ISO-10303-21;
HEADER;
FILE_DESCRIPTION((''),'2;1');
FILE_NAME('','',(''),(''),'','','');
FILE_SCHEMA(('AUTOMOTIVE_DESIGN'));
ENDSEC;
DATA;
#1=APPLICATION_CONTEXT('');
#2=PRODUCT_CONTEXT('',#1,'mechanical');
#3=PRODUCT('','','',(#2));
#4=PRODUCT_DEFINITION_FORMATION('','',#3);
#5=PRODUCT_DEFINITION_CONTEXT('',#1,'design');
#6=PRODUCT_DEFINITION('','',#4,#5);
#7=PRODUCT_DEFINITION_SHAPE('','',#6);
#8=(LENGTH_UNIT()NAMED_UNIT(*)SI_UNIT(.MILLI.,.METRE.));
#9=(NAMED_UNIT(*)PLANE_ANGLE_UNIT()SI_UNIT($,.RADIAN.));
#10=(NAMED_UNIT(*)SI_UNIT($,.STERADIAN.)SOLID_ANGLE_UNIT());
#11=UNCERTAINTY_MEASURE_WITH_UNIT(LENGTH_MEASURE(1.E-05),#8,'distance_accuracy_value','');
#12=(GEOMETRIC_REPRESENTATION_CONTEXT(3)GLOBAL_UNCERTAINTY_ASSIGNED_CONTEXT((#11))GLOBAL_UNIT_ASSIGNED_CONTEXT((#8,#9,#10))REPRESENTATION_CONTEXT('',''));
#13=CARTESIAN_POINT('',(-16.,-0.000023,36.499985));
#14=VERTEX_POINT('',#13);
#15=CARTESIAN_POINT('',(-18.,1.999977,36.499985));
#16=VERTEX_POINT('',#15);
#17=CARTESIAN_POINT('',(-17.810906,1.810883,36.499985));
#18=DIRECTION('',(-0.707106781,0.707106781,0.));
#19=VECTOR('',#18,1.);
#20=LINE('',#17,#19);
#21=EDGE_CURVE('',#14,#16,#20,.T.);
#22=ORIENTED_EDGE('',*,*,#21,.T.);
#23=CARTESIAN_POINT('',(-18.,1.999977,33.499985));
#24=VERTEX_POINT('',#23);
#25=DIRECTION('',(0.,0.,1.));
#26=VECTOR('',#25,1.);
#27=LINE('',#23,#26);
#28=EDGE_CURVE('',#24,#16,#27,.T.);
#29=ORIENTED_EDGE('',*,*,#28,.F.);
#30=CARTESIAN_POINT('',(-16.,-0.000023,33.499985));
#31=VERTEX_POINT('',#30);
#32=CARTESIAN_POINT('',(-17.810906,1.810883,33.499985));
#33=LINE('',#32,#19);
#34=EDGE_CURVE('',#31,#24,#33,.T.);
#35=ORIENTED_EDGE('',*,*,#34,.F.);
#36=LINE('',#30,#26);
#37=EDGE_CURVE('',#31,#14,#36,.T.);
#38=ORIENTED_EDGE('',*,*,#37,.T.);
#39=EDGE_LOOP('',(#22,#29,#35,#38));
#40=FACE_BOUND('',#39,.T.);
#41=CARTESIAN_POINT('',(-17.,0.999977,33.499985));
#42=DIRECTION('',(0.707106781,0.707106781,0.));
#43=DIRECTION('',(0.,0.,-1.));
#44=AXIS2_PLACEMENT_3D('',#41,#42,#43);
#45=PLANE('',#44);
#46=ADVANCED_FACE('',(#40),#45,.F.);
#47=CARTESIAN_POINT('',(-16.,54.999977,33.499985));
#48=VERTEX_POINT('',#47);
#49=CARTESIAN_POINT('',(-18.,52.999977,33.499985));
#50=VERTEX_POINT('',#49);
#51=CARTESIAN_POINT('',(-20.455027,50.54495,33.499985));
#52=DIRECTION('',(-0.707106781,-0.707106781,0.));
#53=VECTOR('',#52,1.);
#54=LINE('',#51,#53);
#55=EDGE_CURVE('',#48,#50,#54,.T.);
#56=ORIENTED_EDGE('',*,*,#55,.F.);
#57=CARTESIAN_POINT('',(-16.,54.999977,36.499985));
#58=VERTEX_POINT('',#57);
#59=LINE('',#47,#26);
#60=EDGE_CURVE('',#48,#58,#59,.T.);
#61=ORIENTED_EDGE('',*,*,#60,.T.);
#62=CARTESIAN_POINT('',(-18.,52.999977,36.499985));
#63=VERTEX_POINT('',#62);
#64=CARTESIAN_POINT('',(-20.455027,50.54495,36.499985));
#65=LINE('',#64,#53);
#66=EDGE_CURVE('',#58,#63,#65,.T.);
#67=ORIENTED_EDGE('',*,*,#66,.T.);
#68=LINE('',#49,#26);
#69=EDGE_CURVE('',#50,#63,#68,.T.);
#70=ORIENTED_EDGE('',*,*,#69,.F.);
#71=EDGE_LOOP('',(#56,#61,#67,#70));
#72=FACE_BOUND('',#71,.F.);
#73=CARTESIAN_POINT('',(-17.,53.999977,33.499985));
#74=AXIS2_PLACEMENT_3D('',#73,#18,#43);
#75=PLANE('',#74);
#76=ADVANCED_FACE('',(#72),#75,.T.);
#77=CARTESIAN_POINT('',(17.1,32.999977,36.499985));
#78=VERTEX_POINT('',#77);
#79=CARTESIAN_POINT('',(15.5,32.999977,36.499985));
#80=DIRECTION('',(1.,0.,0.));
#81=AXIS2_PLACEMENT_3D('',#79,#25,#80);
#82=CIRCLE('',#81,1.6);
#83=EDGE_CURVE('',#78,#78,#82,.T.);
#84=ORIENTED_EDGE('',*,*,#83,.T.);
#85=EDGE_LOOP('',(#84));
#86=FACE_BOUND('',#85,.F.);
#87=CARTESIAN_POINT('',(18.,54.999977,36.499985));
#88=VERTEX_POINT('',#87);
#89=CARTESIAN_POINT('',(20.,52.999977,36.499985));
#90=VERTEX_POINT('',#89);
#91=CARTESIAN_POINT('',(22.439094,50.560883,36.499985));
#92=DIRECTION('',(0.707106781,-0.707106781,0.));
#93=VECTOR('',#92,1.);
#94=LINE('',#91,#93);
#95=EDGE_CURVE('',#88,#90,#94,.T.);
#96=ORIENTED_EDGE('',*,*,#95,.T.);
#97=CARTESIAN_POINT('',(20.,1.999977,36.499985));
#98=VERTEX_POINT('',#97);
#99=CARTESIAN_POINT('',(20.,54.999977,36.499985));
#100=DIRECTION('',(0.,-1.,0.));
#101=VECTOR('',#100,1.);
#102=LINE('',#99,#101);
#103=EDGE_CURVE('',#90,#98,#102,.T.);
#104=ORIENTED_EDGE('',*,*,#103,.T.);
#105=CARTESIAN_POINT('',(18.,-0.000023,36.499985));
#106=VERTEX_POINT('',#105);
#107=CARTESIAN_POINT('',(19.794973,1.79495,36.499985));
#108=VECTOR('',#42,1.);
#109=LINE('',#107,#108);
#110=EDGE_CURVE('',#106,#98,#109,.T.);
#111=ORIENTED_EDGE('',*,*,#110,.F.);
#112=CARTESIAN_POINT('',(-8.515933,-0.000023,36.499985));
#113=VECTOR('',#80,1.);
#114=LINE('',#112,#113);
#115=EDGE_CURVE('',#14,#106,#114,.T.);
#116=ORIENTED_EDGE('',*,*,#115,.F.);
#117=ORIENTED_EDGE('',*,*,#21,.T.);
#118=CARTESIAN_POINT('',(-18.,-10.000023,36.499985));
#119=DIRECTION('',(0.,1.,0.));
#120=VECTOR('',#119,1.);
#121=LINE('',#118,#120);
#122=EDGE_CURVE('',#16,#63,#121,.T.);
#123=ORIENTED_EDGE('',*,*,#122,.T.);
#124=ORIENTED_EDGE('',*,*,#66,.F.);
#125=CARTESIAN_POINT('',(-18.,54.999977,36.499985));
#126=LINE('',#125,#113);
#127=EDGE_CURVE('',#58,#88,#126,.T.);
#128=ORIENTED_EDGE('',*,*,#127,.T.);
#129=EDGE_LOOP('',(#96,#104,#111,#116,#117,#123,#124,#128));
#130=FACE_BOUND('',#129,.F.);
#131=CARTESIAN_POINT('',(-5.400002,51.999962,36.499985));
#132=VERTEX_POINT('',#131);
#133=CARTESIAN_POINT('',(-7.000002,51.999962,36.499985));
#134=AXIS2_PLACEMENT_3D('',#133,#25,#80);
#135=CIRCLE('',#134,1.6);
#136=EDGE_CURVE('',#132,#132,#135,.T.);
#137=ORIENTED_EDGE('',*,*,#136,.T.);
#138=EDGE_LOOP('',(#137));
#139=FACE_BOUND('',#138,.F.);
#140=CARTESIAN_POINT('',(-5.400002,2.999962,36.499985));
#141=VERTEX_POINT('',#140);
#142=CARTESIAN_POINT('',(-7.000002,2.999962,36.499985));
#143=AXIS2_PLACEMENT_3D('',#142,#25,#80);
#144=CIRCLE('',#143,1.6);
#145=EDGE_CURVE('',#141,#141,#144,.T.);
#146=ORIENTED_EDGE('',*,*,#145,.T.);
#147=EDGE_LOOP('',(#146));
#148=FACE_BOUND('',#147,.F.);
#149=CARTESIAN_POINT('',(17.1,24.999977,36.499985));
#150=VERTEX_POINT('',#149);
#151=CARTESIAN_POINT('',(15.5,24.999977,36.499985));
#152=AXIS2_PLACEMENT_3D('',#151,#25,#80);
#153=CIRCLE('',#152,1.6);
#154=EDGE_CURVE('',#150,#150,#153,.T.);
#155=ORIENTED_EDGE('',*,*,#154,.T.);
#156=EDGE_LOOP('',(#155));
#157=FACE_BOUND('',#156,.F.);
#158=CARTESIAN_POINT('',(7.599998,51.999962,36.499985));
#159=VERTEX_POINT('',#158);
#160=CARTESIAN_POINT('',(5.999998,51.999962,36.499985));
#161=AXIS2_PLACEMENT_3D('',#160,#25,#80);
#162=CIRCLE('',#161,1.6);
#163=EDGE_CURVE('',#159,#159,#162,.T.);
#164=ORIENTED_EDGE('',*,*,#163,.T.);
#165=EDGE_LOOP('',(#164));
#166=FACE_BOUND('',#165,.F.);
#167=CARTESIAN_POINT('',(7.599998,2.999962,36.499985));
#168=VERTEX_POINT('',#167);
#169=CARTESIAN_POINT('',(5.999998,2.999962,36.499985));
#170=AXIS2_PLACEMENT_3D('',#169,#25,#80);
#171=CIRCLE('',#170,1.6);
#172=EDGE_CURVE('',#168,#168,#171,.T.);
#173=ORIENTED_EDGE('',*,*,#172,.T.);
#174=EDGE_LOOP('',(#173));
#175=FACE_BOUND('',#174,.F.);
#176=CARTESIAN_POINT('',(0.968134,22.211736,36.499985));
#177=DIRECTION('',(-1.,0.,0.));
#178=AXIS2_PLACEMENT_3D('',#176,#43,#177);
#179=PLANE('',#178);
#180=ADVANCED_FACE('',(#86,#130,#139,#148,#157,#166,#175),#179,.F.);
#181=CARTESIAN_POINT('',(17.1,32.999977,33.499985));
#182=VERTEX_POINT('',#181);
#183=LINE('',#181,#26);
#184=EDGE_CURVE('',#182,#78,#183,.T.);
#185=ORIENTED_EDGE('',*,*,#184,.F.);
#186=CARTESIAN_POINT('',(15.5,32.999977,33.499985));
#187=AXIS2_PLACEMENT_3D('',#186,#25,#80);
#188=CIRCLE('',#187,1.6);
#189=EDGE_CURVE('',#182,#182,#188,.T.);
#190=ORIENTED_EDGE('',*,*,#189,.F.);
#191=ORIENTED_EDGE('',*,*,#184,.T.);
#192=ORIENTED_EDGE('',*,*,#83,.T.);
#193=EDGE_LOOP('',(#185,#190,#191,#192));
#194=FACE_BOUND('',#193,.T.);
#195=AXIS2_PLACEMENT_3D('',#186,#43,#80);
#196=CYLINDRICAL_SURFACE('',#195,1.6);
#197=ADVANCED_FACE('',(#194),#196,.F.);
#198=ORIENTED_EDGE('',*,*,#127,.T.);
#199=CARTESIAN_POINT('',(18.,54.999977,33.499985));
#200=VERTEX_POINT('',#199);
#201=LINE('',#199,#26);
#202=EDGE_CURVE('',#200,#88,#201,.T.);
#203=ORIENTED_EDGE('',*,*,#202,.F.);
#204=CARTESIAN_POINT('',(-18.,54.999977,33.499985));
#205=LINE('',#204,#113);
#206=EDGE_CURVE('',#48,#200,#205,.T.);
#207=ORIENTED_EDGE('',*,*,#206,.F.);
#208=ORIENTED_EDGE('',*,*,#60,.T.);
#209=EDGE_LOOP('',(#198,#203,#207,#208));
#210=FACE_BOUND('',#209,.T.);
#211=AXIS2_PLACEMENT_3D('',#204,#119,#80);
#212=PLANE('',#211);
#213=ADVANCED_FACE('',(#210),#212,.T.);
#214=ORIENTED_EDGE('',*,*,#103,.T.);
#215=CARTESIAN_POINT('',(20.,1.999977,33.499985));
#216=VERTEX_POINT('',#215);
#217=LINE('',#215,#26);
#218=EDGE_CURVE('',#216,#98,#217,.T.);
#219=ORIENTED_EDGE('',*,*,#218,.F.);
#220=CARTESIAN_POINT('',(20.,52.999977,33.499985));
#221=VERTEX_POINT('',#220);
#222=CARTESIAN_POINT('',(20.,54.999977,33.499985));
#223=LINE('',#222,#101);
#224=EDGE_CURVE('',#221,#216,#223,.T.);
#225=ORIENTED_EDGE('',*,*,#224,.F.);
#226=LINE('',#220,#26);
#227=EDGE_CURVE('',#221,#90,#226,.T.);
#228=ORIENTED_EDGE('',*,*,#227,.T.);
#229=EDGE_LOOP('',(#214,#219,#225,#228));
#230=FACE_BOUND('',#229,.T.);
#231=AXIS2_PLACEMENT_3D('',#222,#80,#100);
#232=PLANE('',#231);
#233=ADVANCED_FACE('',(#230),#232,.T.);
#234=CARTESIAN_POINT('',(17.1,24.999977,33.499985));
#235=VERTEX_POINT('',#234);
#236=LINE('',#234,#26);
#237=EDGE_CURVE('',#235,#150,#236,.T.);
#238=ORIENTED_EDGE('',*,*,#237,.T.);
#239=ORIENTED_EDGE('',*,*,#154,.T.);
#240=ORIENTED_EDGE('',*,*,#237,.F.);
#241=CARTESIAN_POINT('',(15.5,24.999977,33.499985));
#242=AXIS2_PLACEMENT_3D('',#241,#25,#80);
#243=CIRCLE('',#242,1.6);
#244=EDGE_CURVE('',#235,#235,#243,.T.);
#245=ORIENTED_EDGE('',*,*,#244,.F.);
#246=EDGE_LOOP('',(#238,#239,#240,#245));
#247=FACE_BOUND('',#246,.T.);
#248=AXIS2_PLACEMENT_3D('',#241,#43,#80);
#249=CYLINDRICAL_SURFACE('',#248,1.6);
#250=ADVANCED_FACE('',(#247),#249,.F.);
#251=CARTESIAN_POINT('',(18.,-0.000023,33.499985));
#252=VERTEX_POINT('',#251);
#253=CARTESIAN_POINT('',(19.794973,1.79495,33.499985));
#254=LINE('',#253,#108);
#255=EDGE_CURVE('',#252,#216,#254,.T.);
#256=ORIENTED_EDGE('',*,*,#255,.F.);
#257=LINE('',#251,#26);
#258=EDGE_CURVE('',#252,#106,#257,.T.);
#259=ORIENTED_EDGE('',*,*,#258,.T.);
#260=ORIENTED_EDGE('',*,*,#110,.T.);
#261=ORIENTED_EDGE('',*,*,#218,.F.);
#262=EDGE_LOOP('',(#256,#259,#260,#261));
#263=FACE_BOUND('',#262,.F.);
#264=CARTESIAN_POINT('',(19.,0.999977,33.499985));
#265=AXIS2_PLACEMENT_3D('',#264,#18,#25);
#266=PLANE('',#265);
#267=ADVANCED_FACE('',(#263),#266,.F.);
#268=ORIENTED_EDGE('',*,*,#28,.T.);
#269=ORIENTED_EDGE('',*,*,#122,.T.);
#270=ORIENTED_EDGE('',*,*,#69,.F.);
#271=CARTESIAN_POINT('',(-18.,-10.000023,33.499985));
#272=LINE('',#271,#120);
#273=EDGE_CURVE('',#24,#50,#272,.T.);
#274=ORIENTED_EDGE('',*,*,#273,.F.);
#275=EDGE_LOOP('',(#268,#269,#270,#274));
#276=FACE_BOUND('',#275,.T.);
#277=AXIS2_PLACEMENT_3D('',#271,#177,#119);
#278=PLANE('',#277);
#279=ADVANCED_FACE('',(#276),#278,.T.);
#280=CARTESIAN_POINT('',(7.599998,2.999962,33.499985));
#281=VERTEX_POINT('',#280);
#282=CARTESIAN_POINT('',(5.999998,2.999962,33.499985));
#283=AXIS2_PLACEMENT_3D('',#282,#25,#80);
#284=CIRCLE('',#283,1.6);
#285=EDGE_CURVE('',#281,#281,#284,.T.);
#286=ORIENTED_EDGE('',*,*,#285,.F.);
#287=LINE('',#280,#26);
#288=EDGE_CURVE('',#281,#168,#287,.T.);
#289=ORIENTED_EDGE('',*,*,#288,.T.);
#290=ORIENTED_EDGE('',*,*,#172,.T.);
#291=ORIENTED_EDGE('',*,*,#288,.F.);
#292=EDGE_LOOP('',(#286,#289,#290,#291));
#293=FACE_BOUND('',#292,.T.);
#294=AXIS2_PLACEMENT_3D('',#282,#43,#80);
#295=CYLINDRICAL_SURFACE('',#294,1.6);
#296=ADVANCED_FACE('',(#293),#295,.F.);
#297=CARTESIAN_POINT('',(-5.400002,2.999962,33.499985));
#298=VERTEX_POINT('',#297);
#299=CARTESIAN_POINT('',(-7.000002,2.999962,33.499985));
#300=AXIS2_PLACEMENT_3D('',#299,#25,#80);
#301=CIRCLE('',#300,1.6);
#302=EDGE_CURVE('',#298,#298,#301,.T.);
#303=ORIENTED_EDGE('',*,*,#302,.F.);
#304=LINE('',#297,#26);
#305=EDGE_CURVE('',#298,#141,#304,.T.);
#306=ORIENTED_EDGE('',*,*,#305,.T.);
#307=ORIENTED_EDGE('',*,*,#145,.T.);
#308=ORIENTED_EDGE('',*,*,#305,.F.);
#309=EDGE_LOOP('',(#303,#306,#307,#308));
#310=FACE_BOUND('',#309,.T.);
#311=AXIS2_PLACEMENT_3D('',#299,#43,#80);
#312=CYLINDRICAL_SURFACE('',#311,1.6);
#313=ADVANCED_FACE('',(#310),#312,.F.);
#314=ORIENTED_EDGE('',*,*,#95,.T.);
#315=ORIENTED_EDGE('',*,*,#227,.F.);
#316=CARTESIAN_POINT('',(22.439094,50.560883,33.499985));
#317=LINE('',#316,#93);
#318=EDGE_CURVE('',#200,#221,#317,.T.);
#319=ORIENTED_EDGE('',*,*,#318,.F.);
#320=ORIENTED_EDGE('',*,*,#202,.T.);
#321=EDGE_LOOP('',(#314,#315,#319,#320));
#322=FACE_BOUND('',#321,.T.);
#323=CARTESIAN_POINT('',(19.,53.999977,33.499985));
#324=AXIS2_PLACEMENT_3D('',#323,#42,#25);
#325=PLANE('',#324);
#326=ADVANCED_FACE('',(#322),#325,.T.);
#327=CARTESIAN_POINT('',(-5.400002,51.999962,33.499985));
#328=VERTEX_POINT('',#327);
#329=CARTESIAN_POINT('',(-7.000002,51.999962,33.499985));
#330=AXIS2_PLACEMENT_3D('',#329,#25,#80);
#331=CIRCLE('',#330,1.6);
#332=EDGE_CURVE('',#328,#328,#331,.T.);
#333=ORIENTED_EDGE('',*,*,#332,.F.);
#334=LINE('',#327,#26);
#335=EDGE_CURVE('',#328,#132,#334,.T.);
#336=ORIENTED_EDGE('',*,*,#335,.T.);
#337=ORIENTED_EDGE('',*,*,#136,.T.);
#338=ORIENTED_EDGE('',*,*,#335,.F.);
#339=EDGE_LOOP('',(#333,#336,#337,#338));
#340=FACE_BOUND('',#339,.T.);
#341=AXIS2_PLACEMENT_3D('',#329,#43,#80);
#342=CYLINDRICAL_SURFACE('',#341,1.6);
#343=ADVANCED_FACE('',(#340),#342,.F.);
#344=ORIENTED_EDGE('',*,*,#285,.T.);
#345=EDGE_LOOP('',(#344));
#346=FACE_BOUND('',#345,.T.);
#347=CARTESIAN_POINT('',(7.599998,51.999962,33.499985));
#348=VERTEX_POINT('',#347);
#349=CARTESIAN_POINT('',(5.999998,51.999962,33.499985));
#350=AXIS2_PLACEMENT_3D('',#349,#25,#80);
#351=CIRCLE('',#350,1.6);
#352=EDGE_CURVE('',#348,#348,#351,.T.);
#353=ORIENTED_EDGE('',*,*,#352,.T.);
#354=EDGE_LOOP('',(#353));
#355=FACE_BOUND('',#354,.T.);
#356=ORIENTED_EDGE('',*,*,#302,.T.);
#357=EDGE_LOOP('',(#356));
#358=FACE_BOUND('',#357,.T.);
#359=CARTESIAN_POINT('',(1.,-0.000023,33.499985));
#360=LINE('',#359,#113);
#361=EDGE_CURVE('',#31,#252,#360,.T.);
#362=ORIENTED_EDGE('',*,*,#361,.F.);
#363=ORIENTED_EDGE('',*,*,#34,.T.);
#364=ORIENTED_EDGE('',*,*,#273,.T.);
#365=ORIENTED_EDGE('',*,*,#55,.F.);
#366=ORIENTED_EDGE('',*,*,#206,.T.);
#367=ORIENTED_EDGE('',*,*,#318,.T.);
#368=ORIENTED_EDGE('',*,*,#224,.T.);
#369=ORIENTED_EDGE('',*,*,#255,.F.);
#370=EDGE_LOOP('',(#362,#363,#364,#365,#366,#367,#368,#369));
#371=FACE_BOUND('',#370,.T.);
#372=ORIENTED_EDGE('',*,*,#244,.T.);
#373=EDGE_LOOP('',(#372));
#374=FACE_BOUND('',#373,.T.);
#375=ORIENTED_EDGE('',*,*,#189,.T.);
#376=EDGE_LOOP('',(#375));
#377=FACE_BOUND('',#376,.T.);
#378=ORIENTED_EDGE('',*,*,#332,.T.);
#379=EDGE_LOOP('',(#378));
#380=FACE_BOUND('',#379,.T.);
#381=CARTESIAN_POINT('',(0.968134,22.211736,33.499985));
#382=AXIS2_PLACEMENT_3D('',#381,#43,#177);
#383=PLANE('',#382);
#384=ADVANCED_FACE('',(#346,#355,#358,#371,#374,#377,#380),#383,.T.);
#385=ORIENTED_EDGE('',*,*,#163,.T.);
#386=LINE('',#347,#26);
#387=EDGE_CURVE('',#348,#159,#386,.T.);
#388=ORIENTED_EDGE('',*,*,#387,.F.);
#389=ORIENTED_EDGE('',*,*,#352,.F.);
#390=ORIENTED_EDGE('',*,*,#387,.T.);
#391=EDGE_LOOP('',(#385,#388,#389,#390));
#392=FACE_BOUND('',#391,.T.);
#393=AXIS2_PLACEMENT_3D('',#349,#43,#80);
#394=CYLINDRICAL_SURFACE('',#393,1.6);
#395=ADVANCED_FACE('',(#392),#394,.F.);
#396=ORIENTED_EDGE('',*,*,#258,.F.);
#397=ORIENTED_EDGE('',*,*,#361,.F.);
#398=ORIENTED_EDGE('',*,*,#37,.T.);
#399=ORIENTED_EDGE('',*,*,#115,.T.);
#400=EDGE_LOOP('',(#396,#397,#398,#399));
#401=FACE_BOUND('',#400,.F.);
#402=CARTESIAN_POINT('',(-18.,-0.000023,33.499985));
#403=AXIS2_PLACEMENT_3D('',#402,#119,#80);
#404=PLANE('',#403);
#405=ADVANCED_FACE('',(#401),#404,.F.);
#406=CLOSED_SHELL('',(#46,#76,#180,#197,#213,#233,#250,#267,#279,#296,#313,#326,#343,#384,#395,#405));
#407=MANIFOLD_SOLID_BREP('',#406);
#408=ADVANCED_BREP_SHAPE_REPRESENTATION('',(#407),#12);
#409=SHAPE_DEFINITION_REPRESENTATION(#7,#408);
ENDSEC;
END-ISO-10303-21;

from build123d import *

# Parameters (mm, degrees)
SKETCH145_R     = 1.6
PAD079_DEPTH    = 3
CHAMFER051_SIZE = 2
FILLET047_R     = 2
SKETCH_W        = 38
SKETCH_H        = 10
POCKET_DEPTH    = 3.001
CHAMFER_SIZE    = 2


with BuildPart() as part:
    # Sketch145 → Pad079 (new body)
    with BuildSketch(Plane.XY):
        with BuildLine():
            Line((-18, 55), (20, 55))
            Line((20, 55), (20, -10))
            Line((20, -10), (10, -10))
            ThreePointArc((10, -10), (9.707107, -9.292893), (9, -9))
            Line((5, -9), (9, -9))
            ThreePointArc((5, -9), (4.292893, -9.292893), (4, -10))
            Line((4, -10), (-8, -10))
            ThreePointArc((-8, -10), (-8.292893, -9.292893), (-9, -9))
            Line((-13, -9), (-9, -9))
            ThreePointArc((-13, -9), (-13.707107, -9.292893), (-14, -10))
            Line((-14, -10), (-18, -10))
            Line((-18, -10), (-18, 55))
        make_face()
        with Locations((15.5, 25)):
            Circle(SKETCH145_R, mode=Mode.SUBTRACT)
        with Locations((15.5, 33)):
            Circle(SKETCH145_R, mode=Mode.SUBTRACT)
        with Locations((5.999998, 51.999985)):
            Circle(SKETCH145_R, mode=Mode.SUBTRACT)
        with Locations((-7.000002, 51.999985)):
            Circle(SKETCH145_R, mode=Mode.SUBTRACT)
        with Locations((-7.000002, 2.999985)):
            Circle(SKETCH145_R, mode=Mode.SUBTRACT)
        with Locations((5.999998, 2.999985)):
            Circle(SKETCH145_R, mode=Mode.SUBTRACT)
        with BuildLine():
            ThreePointArc((-13, -2), (-14, -3), (-13, -4))
            Line((-13, -4), (-9, -4))
            ThreePointArc((-9, -4), (-8, -3), (-9, -2))
            Line((-13, -2), (-9, -2))
        make_face(mode=Mode.SUBTRACT)
        with BuildLine():
            ThreePointArc((5, -2), (4, -3), (5, -4))
            Line((5, -4), (9, -4))
            ThreePointArc((9, -4), (10, -3), (9, -2))
            Line((5, -2), (9, -2))
        make_face(mode=Mode.SUBTRACT)
    extrude(amount=PAD079_DEPTH)

    # Chamfer051
    chamfer051_edges = [part.edges().sort_by_distance(p)[0] for p in [
        (-18, 55, 1.5),
        (20, 55, 1.5),
        (20, -10, 1.5),
        (-18, -10, 1.5),
    ]]
    chamfer(chamfer051_edges, length=CHAMFER051_SIZE)

    # Fillet047
    fillet047_edges = [part.edges().sort_by_distance(p)[0] for p in [
        (-14, -10, 1.5),
        (-8, -10, 1.5),
        (4, -10, 1.5),
        (10, -10, 1.5),
    ]]
    fillet(fillet047_edges, radius=FILLET047_R)

    # Sketch → Pocket (cut, through all)
    with BuildSketch(Plane.XY):
        with Locations((1, -5)):
            Rectangle(SKETCH_W, SKETCH_H)
    extrude(amount=POCKET_DEPTH, mode=Mode.SUBTRACT)

    # Chamfer
    chamfer_edges = [part.edges().sort_by_distance(p)[0] for p in [
        (-18, 0, 1.5),
        (20, 0, 1.5),
    ]]
    chamfer(chamfer_edges, length=CHAMFER_SIZE)


with BuildPart() as part_1:
    # Body067 placement: moved
    add(part.part.moved(Location((0, -2.3e-05, 33.499985))))


solid = part_1.part
